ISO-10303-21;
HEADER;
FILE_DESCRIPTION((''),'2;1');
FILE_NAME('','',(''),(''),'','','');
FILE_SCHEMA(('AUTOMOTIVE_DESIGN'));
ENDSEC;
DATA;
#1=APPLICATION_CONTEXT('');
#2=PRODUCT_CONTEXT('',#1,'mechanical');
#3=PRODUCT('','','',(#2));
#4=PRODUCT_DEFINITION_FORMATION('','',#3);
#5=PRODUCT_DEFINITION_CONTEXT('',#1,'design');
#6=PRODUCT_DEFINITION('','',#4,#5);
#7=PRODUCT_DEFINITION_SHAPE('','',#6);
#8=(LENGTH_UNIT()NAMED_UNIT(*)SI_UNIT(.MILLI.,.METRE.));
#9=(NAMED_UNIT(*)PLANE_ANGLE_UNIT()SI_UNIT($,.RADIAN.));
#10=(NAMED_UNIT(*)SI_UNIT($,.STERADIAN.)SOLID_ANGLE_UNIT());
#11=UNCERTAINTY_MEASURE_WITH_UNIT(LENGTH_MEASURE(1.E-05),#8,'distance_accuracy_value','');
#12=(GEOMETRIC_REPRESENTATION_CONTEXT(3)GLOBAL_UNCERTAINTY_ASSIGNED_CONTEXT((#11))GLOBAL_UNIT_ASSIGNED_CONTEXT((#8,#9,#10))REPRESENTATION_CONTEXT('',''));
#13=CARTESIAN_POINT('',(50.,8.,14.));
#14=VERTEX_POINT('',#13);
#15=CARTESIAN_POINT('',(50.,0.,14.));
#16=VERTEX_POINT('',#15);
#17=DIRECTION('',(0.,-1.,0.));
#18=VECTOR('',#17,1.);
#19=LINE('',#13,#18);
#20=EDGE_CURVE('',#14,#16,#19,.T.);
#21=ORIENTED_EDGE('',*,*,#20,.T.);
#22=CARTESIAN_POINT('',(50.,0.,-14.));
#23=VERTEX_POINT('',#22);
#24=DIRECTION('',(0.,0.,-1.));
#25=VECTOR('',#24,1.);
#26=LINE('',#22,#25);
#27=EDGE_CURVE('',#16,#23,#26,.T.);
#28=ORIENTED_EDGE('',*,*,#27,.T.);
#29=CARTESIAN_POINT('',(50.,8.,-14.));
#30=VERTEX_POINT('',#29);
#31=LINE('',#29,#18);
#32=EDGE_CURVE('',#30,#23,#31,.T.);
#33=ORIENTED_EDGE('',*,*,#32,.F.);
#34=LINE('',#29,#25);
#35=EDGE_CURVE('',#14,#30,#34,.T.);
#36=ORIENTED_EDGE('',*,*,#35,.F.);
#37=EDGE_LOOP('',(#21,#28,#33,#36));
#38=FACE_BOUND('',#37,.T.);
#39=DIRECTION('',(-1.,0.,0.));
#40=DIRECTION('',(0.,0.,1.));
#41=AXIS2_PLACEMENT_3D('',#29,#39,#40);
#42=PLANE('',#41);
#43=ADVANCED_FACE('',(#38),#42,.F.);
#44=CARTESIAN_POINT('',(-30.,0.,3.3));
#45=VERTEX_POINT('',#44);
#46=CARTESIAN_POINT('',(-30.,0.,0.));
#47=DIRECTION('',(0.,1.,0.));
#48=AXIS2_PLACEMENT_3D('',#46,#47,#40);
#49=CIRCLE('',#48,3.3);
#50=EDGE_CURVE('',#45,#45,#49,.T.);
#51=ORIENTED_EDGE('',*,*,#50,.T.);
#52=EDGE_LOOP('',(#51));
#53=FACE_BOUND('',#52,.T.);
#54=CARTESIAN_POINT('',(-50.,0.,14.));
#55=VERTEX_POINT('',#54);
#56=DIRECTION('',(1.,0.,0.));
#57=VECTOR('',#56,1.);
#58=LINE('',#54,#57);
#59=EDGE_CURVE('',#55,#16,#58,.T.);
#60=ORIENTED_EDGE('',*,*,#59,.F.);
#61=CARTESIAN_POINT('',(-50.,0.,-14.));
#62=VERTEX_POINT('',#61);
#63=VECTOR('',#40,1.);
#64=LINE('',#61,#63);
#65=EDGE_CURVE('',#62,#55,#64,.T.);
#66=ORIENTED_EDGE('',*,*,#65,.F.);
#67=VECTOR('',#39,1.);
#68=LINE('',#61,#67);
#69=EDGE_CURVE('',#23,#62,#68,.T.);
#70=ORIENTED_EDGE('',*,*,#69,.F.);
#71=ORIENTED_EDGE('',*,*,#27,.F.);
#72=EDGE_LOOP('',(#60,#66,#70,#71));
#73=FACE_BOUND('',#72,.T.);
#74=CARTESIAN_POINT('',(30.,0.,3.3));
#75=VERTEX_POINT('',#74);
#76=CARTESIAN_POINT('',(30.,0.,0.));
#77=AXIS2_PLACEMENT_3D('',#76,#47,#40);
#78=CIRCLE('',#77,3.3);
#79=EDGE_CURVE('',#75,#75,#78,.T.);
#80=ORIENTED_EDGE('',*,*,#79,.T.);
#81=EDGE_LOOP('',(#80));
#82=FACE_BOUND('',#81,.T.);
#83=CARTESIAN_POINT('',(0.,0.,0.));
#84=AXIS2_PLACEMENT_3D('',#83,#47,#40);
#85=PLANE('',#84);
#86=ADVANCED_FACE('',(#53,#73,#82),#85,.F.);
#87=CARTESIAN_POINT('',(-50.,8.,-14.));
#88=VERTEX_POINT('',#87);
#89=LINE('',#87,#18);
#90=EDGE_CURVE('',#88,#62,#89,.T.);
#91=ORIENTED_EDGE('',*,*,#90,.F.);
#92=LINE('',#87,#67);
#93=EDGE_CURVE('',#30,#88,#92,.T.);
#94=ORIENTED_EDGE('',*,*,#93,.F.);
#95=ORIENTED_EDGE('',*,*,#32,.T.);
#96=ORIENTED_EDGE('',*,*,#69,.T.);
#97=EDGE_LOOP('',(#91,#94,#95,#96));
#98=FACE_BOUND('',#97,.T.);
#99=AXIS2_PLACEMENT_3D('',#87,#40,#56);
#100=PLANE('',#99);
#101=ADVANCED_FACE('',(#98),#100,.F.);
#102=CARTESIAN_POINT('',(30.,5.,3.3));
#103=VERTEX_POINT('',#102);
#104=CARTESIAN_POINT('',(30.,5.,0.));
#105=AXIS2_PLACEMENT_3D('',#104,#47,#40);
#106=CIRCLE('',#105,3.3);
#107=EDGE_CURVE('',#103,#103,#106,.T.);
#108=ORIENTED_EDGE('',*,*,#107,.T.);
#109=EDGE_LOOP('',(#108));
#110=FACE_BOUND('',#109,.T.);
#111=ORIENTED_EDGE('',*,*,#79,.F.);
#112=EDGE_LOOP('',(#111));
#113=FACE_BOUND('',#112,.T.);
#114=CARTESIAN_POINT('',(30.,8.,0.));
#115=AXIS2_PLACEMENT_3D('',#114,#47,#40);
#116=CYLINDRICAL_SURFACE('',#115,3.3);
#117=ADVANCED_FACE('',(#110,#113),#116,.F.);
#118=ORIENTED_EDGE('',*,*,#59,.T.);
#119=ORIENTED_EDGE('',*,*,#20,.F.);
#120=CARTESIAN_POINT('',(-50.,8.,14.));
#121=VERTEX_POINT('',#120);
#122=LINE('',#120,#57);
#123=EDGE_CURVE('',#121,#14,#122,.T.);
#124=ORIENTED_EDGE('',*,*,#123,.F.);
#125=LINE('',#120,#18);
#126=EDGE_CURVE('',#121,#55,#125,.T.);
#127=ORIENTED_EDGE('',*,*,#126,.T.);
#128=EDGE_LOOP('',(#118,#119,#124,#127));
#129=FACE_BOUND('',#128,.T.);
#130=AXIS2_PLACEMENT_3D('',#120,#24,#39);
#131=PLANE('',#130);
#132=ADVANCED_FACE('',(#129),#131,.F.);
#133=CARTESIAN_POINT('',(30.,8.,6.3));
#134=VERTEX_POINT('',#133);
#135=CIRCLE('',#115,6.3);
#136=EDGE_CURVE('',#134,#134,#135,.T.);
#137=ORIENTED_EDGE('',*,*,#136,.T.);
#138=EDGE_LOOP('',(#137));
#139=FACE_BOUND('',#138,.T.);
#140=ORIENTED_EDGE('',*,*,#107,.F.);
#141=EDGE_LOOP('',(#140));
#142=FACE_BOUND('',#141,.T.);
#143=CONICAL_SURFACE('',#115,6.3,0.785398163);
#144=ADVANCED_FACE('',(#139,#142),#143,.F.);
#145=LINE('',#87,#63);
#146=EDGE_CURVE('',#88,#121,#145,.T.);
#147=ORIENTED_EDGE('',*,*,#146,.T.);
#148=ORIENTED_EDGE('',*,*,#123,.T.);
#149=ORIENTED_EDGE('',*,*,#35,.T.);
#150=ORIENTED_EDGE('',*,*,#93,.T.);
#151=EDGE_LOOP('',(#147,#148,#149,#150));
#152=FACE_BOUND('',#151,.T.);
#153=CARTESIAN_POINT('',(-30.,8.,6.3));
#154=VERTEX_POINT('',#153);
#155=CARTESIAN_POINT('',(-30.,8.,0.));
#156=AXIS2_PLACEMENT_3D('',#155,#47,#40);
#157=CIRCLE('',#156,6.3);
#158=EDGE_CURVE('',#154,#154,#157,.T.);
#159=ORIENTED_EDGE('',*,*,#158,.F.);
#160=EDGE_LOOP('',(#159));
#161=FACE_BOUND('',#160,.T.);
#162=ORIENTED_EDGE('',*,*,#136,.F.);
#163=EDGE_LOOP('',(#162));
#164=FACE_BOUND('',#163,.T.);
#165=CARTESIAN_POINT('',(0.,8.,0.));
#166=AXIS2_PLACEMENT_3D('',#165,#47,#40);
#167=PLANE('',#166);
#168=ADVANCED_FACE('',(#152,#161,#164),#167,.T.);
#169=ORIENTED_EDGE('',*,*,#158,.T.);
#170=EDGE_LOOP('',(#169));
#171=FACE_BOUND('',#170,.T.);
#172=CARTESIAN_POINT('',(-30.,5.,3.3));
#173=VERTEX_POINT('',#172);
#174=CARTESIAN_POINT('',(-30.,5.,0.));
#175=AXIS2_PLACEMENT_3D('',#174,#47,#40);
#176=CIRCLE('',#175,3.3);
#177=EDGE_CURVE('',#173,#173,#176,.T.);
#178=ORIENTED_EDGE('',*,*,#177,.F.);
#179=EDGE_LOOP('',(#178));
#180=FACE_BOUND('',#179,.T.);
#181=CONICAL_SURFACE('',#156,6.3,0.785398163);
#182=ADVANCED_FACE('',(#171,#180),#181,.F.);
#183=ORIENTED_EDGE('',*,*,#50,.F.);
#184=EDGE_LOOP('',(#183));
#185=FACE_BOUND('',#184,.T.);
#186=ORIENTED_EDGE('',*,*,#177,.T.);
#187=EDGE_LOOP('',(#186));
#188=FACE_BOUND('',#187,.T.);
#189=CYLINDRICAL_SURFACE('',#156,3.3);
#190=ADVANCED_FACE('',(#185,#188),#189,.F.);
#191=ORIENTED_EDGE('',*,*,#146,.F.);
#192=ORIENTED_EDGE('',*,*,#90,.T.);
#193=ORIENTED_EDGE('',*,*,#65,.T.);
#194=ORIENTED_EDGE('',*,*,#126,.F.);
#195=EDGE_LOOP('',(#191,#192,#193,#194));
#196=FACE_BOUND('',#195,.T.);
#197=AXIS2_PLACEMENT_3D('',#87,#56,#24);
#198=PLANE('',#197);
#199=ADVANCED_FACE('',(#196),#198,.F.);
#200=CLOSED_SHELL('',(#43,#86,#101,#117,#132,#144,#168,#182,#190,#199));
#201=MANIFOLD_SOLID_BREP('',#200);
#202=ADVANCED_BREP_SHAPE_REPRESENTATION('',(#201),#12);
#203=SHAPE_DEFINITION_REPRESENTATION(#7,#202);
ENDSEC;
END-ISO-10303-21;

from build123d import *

# Parameters (mm, degrees)
SKETCH1_W                                       = 100
SKETCH1_H                                       = 28
BOSS_EXTRUDE1_DEPTH                             = 8
CSK_FOR_M6_FLAT_HEAD_MACHINE_SCREW1_D           = 6.6
CSK_FOR_M6_FLAT_HEAD_MACHINE_SCREW1_DEPTH       = 8
CSK_FOR_M6_FLAT_HEAD_MACHINE_SCREW1_CSINK_D     = 12.6
CSK_FOR_M6_FLAT_HEAD_MACHINE_SCREW1_CSINK_ANGLE = 90


with BuildPart() as part:
    # Sketch1 → Boss-Extrude1 (new body)
    with BuildSketch(Plane(origin=(0, 0, 0), x_dir=(1, 0, 0), z_dir=(0, 1, 0))):
        Rectangle(SKETCH1_W, SKETCH1_H)
    extrude(amount=BOSS_EXTRUDE1_DEPTH)

    # CSK for M6 Flat Head Machine Screw1
    with Locations(Plane(origin=(0, 8, 0), x_dir=(-1, 0, 0), z_dir=(0, 1, 0))):
        with Locations((-30, 0), (30, 0)):
            CounterSinkHole(CSK_FOR_M6_FLAT_HEAD_MACHINE_SCREW1_D / 2, CSK_FOR_M6_FLAT_HEAD_MACHINE_SCREW1_CSINK_D / 2, depth=CSK_FOR_M6_FLAT_HEAD_MACHINE_SCREW1_DEPTH, counter_sink_angle=CSK_FOR_M6_FLAT_HEAD_MACHINE_SCREW1_CSINK_ANGLE)


solid = part.part
